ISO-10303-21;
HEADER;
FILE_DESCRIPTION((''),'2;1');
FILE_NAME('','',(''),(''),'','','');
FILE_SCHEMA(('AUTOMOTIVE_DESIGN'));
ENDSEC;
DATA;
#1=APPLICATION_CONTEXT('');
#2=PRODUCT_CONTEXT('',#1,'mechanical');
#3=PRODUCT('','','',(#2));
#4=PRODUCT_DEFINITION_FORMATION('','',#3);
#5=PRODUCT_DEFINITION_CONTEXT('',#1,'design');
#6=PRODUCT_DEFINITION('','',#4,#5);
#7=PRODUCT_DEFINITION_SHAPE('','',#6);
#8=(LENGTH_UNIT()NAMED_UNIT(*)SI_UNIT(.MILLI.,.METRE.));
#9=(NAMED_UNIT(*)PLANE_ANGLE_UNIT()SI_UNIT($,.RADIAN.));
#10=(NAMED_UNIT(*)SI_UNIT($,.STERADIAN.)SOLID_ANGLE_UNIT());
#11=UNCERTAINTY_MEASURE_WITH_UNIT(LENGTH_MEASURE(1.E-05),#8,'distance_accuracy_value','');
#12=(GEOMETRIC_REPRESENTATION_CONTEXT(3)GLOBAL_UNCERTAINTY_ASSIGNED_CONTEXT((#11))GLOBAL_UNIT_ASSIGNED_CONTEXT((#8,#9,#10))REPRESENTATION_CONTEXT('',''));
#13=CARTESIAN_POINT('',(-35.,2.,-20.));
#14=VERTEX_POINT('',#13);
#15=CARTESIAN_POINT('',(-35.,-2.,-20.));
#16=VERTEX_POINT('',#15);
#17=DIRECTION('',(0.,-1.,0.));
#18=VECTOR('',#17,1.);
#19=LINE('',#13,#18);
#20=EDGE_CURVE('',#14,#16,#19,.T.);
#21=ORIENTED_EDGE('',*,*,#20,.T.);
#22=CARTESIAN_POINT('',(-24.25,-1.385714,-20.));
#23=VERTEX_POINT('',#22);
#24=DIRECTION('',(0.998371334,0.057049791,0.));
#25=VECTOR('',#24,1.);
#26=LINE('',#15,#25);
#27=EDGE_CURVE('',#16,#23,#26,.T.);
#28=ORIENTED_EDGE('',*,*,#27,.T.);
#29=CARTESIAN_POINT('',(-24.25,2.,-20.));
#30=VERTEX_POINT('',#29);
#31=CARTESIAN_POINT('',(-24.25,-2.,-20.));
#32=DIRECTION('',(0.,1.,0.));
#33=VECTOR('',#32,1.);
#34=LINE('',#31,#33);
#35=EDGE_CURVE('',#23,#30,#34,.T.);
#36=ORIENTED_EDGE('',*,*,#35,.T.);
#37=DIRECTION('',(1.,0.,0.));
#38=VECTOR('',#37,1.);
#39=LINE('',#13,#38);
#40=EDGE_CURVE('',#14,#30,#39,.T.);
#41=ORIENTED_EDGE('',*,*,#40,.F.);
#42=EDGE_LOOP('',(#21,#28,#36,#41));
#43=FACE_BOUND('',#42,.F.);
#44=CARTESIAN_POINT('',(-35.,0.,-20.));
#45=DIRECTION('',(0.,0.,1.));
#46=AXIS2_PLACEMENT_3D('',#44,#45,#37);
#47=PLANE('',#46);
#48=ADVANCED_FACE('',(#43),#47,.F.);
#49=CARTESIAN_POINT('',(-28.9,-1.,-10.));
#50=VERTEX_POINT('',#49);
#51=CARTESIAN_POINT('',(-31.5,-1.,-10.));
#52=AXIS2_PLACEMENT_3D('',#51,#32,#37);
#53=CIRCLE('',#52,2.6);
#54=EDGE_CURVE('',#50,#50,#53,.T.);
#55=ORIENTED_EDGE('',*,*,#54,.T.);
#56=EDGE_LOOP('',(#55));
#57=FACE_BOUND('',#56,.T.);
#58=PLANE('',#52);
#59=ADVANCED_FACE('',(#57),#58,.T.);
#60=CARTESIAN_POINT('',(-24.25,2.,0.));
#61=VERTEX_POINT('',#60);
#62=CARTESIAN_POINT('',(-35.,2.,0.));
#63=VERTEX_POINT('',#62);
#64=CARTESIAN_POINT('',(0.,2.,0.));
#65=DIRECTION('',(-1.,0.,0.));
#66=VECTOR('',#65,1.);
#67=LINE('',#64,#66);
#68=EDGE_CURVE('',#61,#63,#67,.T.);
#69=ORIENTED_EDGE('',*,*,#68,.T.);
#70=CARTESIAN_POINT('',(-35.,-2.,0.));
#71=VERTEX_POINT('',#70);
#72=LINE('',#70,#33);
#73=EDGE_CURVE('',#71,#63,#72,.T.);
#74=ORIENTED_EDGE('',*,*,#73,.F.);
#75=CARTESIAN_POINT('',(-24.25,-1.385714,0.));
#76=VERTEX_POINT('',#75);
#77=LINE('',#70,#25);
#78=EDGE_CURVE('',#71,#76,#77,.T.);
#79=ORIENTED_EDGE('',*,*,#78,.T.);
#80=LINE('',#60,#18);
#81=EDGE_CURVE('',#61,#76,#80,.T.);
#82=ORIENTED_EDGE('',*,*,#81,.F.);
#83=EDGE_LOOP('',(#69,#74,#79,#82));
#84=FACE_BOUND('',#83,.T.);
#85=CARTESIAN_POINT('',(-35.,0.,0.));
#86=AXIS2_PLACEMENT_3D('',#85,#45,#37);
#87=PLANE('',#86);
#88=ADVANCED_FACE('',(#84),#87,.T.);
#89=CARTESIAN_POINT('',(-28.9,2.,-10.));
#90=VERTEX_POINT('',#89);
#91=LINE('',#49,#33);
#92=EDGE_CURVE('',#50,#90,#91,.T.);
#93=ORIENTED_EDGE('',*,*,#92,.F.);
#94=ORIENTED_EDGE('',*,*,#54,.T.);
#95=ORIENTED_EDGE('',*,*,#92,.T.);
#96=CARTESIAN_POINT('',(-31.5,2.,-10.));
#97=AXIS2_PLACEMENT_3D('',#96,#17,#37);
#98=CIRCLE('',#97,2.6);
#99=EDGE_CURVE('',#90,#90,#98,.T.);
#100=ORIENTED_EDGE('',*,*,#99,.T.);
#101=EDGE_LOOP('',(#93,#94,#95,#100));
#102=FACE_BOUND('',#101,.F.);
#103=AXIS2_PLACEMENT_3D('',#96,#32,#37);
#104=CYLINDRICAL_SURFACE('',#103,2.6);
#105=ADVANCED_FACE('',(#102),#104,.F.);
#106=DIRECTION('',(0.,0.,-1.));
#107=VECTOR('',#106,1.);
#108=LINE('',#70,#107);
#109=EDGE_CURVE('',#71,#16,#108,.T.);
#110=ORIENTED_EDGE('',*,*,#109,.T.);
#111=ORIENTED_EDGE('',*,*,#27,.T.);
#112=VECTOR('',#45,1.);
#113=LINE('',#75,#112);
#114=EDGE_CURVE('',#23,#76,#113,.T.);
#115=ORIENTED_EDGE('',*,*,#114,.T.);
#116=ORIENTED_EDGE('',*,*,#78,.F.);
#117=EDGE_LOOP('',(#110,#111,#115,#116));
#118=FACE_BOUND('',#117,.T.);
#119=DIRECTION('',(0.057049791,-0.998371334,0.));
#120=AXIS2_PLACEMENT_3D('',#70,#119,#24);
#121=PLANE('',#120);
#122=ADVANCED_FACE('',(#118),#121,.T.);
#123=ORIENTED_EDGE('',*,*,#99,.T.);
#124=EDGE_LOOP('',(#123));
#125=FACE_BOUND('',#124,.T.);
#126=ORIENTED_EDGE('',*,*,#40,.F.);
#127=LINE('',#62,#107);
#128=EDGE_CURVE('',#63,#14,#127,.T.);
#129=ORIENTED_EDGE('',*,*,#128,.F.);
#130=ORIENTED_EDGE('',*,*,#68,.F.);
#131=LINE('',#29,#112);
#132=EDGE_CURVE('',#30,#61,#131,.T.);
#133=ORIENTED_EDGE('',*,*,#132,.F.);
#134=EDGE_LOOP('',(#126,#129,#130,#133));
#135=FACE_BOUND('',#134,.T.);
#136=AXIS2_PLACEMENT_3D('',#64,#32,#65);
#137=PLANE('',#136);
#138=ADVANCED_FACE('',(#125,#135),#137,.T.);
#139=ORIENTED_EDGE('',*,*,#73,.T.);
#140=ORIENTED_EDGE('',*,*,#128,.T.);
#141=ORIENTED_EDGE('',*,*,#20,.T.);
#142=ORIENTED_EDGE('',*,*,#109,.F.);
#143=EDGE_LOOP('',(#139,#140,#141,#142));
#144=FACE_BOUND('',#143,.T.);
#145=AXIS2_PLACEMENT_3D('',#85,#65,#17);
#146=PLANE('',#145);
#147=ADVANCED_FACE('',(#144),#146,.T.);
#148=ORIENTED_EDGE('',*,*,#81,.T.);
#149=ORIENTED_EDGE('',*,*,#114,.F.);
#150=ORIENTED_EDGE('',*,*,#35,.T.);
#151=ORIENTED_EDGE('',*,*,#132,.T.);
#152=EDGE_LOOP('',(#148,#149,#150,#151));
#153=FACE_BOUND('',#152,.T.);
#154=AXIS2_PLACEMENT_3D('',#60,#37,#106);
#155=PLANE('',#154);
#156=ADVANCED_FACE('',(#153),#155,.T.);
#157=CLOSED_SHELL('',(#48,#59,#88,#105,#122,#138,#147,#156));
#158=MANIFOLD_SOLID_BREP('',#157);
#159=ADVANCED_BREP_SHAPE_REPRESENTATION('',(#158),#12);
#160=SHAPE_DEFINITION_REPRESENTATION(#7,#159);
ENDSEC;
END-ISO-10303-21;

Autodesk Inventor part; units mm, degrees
ref_plane "YZ Plane" through (0, 0, 0) normal (1, 0, 0) x (0, 1, 0)
ref_plane "XZ Plane" through (0, 0, 0) normal (0, 1, 0) x (-1, 0, 0)
ref_plane "XY Plane" through (0, 0, 0) normal (0, 0, 1) x (1, 0, 0)
sketch "Sketch1" plane through (0, 0, 0) normal (0, 1, 0) x (-1, 0, 0)
  line L0 (0, 0) -> (35, 0)
  line L1 (35, 0) -> (35, -20)
  line L2 (35, -20) -> (0, -20)
  line L3 (0, -20) -> (0, 0)
  dimension "d0" = 35
  dimension "d1" = 20
extrude "Extrusion1" add sketch "Sketch1" along normal blind 2
sketch "Sketch2" plane through (0, 2, 0) normal (0, 1, 0) x (1, 0, 0)
  line L0 (-35, 20) -> (-35, 0) projected
  line L1 (-35, 10) -> (-31.5, 10)
  circle A0 centre (-31.5, 10) radius 2.6
  point P0 (0, 0)
  dimension "d4" = 3.5
  dimension "d5" = 5.2
extrude "Extrusion2" cut sketch "Sketch2" against normal blind 2
sketch "Sketch3" plane through (-35, 0, 0) normal (0, 0, 1) x (1, 0, 0)
  line L0 (35, 0) -> (0, 0) projected
  line L1 (0, 0) -> (0, -2)
  line L2 (0, -2) -> (35, 0)
  dimension "d8" = 2
extrude "Extrusion3" add sketch "Sketch3" against normal up to surface (20 mm away)
sketch "Sketch4" plane through (0, 2, 0) normal (1, 0, 0) x (0, 0, -1)
  line L0 (0, -2) -> (20, -2) projected
  line L1 (0, -2) -> (20, -2)
  line L2 (20, -2) -> (20, 6.5769)
  line L3 (20, 6.5769) -> (0, 6.5769)
  line L4 (0, 6.5769) -> (0, -2)
extrude "Extrusion4" cut sketch "Sketch4" against normal blind 23.75
sketch "Sketch5" plane through (0, 0, 0) normal (0, 1, 0) x (1, 0, 0)
  line L0 (-23.75, 20) -> (-35, 20) projected
  line L1 (-23.75, 20) -> (0, 20)
  line L2 (0, 20) -> (0, 0)
  line L3 (0, 0) -> (-23.75, 0)
  line L4 (-23.75, 0) -> (-23.75, 20)
extrude "Extrusion5" cut sketch "Sketch5" against normal through all
sketch "Sketch6" plane through (-23.75, 2, 0) normal (1, 0, 0) x (0, 0, -1)
  line L0 (20, -4) -> (20, 0) projected
  line L1 (20, 0) -> (0, 0)
  line L2 (0, 0) -> (0, -8.1158)
  line L3 (0, -8.1158) -> (20, -8.1158)
  line L4 (20, -8.1158) -> (20, 0)
  point P0 (0, -2)
extrude "Extrusion6" cut sketch "Sketch6" against normal blind 0.5
sketch "Sketch7" plane through (-31.5, 0, -10) normal (0, 1, 0) x (1, 0, 0)
  circle A0 centre (0, 0) radius 2.6
  point P0 (31.5, -10)
  dimension "d19" = 5.2
extrude "Extrusion7" cut sketch "Sketch7" against normal blind 1
properties part number "opaska_test"
